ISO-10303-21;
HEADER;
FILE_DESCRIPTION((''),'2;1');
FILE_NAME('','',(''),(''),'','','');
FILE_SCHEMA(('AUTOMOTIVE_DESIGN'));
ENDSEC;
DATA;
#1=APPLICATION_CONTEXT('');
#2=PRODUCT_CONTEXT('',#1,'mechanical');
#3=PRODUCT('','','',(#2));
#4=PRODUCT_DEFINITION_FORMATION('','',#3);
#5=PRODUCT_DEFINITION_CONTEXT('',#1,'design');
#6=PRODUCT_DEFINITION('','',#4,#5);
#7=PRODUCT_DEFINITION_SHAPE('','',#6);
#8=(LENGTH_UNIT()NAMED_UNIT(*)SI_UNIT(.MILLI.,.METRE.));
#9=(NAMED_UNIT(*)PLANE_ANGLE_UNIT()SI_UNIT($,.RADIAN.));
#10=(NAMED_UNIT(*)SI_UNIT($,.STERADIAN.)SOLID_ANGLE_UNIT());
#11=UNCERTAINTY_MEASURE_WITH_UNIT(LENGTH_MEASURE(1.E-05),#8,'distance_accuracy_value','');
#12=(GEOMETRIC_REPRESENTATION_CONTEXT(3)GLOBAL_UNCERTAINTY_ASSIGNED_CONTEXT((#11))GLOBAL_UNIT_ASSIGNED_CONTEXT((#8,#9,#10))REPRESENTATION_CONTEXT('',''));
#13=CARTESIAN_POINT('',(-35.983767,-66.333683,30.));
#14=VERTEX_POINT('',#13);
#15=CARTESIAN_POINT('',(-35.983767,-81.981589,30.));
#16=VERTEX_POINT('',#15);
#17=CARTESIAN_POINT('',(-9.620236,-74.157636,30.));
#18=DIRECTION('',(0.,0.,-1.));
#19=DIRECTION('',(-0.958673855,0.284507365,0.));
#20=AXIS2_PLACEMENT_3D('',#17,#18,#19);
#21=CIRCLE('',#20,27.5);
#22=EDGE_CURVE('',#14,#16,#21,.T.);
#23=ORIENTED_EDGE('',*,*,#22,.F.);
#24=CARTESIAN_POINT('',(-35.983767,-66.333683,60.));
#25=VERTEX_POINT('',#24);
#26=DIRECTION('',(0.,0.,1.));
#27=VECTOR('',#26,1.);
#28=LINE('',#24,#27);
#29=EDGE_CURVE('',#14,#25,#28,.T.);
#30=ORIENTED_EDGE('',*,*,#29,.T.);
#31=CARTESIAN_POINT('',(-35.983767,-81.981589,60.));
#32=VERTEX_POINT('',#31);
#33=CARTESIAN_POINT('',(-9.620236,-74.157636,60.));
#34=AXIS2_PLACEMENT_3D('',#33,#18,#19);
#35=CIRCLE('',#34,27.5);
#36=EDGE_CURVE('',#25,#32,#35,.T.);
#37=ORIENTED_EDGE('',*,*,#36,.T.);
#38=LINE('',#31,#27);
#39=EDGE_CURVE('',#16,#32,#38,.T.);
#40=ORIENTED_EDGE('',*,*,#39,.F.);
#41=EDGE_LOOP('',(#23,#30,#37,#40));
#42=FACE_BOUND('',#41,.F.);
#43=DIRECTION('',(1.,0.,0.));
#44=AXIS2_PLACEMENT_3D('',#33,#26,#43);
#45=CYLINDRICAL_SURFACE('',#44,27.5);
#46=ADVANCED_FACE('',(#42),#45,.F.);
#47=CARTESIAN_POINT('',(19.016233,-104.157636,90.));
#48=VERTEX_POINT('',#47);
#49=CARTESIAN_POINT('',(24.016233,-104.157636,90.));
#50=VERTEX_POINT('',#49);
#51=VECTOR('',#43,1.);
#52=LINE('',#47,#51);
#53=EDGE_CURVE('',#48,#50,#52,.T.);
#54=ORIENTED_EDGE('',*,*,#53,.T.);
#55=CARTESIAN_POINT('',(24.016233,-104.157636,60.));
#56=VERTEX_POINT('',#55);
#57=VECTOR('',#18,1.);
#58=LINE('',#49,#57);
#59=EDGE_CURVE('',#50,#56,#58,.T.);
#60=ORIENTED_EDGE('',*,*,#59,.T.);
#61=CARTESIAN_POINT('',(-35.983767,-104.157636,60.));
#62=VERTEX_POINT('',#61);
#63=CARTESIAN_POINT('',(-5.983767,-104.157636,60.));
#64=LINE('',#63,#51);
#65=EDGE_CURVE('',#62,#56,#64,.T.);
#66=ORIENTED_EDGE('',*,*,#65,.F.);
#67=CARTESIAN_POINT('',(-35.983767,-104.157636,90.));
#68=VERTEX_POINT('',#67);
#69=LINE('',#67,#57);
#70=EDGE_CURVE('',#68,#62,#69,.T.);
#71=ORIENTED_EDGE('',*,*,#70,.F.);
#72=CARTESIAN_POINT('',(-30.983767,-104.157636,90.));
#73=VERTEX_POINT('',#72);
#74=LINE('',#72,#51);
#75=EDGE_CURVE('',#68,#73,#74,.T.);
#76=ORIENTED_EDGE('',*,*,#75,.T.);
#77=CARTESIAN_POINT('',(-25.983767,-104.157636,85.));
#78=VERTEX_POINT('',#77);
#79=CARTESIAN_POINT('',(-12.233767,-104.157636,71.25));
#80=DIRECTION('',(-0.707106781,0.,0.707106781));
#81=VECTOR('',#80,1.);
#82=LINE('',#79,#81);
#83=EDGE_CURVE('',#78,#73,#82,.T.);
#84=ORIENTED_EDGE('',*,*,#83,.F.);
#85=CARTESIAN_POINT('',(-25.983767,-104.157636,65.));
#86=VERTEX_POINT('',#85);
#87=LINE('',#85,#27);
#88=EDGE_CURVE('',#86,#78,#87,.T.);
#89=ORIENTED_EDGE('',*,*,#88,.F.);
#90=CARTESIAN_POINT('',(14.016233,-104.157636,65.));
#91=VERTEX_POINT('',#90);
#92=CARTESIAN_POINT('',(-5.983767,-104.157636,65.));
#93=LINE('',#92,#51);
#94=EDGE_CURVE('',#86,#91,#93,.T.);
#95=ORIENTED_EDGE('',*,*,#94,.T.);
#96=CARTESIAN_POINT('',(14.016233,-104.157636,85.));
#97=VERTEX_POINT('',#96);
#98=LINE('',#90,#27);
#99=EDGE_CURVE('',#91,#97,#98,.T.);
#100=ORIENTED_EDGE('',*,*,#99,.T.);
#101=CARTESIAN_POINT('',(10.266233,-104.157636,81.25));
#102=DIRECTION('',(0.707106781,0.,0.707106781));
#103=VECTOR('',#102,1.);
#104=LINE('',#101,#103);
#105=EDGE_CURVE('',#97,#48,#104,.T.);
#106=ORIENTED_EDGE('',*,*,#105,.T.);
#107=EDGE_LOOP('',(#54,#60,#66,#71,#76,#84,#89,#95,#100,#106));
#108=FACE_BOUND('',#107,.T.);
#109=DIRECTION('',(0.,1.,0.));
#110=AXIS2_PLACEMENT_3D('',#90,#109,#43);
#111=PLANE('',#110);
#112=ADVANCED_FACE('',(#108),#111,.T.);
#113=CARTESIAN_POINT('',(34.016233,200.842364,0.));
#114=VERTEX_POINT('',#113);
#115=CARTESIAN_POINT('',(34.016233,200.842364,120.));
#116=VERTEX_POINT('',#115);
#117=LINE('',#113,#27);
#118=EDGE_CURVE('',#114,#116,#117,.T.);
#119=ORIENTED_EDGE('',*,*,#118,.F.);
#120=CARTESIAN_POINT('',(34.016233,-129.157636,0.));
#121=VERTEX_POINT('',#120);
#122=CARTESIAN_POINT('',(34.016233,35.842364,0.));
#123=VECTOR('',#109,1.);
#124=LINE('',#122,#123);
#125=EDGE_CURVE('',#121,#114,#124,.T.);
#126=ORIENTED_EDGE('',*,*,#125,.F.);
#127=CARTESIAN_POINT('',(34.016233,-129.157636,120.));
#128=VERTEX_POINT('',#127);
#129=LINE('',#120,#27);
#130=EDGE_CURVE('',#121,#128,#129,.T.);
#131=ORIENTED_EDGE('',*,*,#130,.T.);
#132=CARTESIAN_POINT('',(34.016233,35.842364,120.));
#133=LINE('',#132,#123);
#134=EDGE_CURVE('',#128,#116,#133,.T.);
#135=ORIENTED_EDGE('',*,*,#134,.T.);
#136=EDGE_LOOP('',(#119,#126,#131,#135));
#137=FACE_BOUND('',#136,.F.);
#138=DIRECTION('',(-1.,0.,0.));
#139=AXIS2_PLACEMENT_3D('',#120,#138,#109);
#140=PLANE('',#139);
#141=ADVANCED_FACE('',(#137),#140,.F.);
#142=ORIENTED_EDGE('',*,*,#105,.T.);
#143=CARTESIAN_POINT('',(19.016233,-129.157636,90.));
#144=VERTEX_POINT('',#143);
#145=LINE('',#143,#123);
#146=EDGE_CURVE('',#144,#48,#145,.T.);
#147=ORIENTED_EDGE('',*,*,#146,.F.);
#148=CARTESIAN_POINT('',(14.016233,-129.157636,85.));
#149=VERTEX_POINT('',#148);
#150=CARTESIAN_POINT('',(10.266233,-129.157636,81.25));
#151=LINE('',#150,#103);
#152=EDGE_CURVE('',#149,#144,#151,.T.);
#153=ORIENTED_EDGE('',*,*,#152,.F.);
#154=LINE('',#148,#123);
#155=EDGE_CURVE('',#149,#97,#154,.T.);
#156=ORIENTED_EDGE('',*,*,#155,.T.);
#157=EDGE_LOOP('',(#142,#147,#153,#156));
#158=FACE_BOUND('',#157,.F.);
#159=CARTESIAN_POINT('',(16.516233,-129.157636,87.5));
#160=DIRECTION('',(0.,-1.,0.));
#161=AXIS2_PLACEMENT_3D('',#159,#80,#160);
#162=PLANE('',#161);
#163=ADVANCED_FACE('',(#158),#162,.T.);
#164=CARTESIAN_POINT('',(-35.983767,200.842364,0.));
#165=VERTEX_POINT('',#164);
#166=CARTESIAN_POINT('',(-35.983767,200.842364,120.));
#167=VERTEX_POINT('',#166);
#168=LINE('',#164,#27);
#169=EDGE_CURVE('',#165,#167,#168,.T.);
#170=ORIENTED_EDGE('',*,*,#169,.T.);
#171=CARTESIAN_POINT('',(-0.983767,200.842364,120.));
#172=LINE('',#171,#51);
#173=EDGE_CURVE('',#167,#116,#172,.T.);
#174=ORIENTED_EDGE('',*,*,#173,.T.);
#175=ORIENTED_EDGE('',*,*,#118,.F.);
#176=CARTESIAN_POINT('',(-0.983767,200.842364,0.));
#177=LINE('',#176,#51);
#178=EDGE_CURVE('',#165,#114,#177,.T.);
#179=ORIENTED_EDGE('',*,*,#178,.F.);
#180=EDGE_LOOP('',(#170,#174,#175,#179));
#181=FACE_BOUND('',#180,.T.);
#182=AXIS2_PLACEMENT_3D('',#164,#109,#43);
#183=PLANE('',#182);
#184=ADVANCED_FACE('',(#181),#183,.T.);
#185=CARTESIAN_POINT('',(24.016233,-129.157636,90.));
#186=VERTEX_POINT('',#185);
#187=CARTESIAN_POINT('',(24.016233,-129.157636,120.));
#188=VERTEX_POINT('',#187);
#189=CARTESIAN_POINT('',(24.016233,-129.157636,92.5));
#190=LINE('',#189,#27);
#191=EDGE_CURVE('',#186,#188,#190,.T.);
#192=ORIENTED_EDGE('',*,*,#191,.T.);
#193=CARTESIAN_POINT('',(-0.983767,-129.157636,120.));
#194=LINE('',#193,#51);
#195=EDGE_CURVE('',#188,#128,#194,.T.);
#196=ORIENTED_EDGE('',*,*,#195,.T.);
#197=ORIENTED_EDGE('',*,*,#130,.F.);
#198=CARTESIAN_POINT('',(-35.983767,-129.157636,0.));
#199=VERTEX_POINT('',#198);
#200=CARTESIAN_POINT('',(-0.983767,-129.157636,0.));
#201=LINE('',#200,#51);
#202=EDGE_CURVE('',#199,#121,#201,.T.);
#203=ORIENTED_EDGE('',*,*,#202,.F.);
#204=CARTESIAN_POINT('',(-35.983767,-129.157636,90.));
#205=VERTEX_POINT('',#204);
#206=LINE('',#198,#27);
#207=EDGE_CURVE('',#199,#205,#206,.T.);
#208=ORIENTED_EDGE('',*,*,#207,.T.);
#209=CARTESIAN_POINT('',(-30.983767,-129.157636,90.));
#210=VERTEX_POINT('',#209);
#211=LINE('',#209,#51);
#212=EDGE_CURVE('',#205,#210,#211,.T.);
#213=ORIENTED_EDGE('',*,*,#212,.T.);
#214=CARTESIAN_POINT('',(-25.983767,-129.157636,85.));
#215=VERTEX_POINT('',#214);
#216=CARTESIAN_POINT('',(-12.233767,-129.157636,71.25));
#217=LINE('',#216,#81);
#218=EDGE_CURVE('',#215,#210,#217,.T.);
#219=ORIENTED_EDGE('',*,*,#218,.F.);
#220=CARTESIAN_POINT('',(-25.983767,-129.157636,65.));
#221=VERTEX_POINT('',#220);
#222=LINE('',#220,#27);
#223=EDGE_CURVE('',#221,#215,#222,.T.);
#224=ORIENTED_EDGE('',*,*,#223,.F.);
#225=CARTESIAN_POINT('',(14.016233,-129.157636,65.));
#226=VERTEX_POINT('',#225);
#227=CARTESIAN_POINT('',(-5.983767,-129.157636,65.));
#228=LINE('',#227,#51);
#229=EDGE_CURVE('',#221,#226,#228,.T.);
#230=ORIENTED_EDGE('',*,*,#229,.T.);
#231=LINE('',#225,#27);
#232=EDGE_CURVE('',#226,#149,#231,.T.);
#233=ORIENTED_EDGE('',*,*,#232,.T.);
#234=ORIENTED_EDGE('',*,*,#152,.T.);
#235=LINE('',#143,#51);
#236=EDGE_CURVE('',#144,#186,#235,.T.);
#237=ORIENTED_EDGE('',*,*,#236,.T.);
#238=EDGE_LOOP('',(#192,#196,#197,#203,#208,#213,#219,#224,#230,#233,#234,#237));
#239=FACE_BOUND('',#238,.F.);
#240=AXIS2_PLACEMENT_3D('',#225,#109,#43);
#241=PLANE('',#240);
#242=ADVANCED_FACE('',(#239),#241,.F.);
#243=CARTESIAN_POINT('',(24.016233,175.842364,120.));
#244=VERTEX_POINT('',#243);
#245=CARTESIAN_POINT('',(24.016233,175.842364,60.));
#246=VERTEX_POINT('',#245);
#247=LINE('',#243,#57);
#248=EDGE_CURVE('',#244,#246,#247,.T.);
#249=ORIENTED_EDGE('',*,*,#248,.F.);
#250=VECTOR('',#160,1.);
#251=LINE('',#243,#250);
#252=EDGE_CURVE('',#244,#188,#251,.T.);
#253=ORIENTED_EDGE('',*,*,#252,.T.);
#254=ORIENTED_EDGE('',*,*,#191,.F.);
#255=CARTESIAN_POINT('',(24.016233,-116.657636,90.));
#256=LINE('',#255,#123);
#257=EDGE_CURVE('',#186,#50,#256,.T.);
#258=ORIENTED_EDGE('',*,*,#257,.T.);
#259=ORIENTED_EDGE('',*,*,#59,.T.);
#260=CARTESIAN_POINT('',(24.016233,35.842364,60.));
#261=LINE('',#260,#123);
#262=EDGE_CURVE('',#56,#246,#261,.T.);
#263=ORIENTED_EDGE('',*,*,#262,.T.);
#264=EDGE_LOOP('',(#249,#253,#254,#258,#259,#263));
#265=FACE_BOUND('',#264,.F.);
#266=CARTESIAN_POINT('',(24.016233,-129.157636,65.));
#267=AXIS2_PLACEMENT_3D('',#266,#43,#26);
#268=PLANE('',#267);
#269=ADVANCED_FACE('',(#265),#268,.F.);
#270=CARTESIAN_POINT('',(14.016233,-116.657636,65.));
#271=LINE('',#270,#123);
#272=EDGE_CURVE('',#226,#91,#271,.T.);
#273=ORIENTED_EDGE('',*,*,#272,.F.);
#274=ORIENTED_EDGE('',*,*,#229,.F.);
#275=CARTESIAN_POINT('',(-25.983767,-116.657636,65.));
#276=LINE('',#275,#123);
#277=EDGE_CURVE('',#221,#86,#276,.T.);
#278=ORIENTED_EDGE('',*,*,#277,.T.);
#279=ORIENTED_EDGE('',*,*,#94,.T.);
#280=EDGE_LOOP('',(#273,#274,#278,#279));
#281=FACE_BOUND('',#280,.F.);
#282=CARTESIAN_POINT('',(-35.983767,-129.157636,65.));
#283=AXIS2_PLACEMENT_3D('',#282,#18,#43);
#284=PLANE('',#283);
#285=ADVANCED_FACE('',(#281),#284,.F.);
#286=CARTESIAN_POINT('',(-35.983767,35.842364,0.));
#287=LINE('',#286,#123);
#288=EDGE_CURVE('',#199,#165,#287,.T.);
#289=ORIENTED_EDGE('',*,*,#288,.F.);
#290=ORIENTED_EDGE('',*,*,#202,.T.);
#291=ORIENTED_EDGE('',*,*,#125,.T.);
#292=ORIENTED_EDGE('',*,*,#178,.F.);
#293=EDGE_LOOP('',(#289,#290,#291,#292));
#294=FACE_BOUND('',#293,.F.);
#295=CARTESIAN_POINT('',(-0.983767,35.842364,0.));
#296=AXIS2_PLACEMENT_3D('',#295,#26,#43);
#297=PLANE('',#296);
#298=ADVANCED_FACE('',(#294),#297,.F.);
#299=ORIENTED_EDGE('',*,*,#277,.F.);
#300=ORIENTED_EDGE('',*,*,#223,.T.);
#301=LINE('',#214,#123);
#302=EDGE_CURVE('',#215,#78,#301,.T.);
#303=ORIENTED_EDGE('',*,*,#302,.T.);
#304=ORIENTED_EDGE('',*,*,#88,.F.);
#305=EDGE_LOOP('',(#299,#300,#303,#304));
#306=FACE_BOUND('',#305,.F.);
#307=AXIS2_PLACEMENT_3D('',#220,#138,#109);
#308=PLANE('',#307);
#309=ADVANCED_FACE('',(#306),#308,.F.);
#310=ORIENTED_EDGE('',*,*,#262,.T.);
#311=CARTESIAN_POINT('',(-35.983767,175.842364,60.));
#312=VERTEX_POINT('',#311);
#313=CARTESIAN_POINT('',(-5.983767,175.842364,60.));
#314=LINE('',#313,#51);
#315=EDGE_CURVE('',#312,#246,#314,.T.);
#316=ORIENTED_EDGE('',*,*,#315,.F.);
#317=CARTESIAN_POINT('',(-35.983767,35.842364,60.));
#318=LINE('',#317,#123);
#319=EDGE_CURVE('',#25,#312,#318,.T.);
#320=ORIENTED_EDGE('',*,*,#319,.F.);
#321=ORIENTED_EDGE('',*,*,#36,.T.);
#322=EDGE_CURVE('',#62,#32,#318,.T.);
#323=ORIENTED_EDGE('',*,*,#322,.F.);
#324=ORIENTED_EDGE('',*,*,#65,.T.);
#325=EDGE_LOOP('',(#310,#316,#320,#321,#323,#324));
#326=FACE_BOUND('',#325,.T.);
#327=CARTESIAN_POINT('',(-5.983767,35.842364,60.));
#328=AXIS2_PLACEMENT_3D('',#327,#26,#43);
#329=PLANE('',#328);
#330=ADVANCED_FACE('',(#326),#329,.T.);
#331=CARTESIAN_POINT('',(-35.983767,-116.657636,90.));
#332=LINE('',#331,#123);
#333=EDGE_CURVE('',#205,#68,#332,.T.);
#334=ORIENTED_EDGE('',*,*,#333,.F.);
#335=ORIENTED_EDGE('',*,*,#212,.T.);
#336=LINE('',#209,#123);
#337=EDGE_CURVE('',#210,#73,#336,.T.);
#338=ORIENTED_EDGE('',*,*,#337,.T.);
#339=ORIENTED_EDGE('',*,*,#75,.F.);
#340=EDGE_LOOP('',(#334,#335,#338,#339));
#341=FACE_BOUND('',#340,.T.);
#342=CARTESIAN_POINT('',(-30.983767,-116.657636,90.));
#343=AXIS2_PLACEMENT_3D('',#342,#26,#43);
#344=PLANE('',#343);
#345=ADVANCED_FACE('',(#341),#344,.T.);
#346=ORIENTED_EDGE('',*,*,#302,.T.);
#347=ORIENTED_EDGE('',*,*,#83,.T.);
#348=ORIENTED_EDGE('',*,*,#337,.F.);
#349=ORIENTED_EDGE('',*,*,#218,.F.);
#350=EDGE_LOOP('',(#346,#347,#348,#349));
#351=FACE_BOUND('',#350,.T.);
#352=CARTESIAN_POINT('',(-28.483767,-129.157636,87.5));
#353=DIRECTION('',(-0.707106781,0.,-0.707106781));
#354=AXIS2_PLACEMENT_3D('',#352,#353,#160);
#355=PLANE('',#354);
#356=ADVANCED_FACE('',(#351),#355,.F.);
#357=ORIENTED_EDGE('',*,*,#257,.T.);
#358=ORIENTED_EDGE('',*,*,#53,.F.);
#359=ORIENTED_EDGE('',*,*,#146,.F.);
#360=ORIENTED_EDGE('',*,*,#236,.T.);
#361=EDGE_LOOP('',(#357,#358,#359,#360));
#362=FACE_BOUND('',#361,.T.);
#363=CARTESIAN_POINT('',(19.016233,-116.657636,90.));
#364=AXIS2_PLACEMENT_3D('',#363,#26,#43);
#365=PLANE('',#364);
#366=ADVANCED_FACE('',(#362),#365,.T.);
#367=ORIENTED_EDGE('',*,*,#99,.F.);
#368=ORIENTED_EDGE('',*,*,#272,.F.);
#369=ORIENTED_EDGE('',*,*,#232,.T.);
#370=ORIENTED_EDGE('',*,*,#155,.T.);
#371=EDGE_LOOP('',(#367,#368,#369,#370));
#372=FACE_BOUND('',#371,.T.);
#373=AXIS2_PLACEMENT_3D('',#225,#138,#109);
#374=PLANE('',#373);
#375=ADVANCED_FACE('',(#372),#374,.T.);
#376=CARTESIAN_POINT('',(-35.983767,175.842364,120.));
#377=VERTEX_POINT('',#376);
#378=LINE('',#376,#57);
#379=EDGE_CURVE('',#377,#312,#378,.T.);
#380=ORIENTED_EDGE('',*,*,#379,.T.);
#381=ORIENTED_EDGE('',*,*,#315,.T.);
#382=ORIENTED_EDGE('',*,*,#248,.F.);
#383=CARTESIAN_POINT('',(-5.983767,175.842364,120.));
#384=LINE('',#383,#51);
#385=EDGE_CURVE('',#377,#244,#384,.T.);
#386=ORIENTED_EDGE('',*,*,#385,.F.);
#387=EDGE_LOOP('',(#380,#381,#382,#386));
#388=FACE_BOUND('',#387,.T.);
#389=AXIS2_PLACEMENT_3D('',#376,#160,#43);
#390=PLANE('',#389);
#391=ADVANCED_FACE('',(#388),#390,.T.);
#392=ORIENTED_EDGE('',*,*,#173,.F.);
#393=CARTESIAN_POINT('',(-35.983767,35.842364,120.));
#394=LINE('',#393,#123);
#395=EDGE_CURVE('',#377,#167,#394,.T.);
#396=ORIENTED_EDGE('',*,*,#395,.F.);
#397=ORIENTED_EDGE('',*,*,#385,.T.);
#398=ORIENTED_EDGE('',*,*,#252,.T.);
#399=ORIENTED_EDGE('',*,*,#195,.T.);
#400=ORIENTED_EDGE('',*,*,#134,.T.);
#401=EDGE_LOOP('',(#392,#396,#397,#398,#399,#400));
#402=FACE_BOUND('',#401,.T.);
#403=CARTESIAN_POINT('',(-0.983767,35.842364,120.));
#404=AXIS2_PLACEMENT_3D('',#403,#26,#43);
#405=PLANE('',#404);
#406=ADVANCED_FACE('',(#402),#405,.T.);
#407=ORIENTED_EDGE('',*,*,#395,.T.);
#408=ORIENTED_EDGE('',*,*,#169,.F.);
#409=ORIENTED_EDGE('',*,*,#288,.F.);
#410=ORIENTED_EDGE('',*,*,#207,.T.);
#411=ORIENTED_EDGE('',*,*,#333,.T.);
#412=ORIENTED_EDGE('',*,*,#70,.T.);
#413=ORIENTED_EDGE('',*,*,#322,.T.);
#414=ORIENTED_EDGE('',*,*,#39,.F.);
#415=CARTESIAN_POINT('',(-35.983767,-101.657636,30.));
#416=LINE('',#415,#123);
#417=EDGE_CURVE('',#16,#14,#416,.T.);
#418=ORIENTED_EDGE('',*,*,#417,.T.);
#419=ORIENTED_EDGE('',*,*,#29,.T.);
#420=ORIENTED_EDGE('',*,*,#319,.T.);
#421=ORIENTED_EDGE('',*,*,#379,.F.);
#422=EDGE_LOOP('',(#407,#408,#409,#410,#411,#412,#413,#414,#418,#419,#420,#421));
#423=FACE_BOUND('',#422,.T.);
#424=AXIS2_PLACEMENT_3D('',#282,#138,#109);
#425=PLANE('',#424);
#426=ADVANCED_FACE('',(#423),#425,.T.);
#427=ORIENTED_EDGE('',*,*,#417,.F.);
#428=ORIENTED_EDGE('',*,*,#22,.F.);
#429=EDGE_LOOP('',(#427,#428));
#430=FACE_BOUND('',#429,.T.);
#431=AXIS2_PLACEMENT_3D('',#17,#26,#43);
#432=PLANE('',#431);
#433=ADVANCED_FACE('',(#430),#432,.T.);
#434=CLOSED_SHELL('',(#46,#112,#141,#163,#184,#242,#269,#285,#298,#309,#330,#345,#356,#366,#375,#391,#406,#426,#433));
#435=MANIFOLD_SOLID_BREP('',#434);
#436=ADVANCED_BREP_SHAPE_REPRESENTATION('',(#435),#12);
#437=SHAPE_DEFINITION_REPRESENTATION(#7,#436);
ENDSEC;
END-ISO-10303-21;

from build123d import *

# Parameters (mm, degrees)
F0_W      = 70
F0_H      = 330
F1_DEPTH  = 120
F2_W      = 60
F2_H      = 280
F3_DEPTH  = 60
F4_R      = 27.5
F5_DEPTH  = 30
F6_W      = 60
F6_H      = 55
F7_DEPTH  = 25
F8_W      = 10
F8_H      = 25
F9_DEPTH  = 25
F10_DEPTH = 25
F11_SIZE  = 5
F12_SIZE  = 5


with BuildPart() as f1:
    # F0 (on Top) → F1 (new body)
    with BuildSketch(Plane.XY):
        with Locations((-0.983767, 35.842364)):
            Rectangle(F0_W, F0_H)
    extrude(amount=F1_DEPTH)

    # F2 (on face) → F3 (cut)
    with BuildSketch(Plane.XY.offset(120)):
        with Locations((-5.983767, 35.842364)):
            Rectangle(F2_W, F2_H)
    extrude(amount=-F3_DEPTH, mode=Mode.SUBTRACT)

    # F4 (on face) → F5 (cut)
    with BuildSketch(Plane.XY.offset(60)):
        with Locations((-9.620236, -74.157636)):
            Circle(F4_R)
    extrude(amount=-F5_DEPTH, mode=Mode.SUBTRACT)

    # F6 (on face) → F7 (cut, through all)
    with BuildSketch(Plane.XZ.offset(129.157636)):
        with Locations((-5.983767, 92.5)):
            Rectangle(F6_W, F6_H)
    extrude(amount=-F7_DEPTH, mode=Mode.SUBTRACT)

    # F8 (on face) → F9 (join)
    with BuildSketch(Plane.XY.offset(65)):
        with Locations((-30.983767, -116.657636)):
            Rectangle(F8_W, F8_H)
    extrude(amount=F9_DEPTH)

    # F8 (on face) → F10 (join)
    with BuildSketch(Plane.XY.offset(65)):
        with Locations((19.016233, -116.657636)):
            Rectangle(F8_W, F8_H)
    extrude(amount=F10_DEPTH)

    # F11
    f11_edges = [f1.edges().sort_by_distance(p)[0] for p in [
        (14.016233, -116.657636, 90),
    ]]
    chamfer(f11_edges, length=F11_SIZE)

    # F12
    f12_edges = [f1.edges().sort_by_distance(p)[0] for p in [
        (-25.983767, -116.657636, 90),
    ]]
    chamfer(f12_edges, length=F12_SIZE)


solid = f1.part
